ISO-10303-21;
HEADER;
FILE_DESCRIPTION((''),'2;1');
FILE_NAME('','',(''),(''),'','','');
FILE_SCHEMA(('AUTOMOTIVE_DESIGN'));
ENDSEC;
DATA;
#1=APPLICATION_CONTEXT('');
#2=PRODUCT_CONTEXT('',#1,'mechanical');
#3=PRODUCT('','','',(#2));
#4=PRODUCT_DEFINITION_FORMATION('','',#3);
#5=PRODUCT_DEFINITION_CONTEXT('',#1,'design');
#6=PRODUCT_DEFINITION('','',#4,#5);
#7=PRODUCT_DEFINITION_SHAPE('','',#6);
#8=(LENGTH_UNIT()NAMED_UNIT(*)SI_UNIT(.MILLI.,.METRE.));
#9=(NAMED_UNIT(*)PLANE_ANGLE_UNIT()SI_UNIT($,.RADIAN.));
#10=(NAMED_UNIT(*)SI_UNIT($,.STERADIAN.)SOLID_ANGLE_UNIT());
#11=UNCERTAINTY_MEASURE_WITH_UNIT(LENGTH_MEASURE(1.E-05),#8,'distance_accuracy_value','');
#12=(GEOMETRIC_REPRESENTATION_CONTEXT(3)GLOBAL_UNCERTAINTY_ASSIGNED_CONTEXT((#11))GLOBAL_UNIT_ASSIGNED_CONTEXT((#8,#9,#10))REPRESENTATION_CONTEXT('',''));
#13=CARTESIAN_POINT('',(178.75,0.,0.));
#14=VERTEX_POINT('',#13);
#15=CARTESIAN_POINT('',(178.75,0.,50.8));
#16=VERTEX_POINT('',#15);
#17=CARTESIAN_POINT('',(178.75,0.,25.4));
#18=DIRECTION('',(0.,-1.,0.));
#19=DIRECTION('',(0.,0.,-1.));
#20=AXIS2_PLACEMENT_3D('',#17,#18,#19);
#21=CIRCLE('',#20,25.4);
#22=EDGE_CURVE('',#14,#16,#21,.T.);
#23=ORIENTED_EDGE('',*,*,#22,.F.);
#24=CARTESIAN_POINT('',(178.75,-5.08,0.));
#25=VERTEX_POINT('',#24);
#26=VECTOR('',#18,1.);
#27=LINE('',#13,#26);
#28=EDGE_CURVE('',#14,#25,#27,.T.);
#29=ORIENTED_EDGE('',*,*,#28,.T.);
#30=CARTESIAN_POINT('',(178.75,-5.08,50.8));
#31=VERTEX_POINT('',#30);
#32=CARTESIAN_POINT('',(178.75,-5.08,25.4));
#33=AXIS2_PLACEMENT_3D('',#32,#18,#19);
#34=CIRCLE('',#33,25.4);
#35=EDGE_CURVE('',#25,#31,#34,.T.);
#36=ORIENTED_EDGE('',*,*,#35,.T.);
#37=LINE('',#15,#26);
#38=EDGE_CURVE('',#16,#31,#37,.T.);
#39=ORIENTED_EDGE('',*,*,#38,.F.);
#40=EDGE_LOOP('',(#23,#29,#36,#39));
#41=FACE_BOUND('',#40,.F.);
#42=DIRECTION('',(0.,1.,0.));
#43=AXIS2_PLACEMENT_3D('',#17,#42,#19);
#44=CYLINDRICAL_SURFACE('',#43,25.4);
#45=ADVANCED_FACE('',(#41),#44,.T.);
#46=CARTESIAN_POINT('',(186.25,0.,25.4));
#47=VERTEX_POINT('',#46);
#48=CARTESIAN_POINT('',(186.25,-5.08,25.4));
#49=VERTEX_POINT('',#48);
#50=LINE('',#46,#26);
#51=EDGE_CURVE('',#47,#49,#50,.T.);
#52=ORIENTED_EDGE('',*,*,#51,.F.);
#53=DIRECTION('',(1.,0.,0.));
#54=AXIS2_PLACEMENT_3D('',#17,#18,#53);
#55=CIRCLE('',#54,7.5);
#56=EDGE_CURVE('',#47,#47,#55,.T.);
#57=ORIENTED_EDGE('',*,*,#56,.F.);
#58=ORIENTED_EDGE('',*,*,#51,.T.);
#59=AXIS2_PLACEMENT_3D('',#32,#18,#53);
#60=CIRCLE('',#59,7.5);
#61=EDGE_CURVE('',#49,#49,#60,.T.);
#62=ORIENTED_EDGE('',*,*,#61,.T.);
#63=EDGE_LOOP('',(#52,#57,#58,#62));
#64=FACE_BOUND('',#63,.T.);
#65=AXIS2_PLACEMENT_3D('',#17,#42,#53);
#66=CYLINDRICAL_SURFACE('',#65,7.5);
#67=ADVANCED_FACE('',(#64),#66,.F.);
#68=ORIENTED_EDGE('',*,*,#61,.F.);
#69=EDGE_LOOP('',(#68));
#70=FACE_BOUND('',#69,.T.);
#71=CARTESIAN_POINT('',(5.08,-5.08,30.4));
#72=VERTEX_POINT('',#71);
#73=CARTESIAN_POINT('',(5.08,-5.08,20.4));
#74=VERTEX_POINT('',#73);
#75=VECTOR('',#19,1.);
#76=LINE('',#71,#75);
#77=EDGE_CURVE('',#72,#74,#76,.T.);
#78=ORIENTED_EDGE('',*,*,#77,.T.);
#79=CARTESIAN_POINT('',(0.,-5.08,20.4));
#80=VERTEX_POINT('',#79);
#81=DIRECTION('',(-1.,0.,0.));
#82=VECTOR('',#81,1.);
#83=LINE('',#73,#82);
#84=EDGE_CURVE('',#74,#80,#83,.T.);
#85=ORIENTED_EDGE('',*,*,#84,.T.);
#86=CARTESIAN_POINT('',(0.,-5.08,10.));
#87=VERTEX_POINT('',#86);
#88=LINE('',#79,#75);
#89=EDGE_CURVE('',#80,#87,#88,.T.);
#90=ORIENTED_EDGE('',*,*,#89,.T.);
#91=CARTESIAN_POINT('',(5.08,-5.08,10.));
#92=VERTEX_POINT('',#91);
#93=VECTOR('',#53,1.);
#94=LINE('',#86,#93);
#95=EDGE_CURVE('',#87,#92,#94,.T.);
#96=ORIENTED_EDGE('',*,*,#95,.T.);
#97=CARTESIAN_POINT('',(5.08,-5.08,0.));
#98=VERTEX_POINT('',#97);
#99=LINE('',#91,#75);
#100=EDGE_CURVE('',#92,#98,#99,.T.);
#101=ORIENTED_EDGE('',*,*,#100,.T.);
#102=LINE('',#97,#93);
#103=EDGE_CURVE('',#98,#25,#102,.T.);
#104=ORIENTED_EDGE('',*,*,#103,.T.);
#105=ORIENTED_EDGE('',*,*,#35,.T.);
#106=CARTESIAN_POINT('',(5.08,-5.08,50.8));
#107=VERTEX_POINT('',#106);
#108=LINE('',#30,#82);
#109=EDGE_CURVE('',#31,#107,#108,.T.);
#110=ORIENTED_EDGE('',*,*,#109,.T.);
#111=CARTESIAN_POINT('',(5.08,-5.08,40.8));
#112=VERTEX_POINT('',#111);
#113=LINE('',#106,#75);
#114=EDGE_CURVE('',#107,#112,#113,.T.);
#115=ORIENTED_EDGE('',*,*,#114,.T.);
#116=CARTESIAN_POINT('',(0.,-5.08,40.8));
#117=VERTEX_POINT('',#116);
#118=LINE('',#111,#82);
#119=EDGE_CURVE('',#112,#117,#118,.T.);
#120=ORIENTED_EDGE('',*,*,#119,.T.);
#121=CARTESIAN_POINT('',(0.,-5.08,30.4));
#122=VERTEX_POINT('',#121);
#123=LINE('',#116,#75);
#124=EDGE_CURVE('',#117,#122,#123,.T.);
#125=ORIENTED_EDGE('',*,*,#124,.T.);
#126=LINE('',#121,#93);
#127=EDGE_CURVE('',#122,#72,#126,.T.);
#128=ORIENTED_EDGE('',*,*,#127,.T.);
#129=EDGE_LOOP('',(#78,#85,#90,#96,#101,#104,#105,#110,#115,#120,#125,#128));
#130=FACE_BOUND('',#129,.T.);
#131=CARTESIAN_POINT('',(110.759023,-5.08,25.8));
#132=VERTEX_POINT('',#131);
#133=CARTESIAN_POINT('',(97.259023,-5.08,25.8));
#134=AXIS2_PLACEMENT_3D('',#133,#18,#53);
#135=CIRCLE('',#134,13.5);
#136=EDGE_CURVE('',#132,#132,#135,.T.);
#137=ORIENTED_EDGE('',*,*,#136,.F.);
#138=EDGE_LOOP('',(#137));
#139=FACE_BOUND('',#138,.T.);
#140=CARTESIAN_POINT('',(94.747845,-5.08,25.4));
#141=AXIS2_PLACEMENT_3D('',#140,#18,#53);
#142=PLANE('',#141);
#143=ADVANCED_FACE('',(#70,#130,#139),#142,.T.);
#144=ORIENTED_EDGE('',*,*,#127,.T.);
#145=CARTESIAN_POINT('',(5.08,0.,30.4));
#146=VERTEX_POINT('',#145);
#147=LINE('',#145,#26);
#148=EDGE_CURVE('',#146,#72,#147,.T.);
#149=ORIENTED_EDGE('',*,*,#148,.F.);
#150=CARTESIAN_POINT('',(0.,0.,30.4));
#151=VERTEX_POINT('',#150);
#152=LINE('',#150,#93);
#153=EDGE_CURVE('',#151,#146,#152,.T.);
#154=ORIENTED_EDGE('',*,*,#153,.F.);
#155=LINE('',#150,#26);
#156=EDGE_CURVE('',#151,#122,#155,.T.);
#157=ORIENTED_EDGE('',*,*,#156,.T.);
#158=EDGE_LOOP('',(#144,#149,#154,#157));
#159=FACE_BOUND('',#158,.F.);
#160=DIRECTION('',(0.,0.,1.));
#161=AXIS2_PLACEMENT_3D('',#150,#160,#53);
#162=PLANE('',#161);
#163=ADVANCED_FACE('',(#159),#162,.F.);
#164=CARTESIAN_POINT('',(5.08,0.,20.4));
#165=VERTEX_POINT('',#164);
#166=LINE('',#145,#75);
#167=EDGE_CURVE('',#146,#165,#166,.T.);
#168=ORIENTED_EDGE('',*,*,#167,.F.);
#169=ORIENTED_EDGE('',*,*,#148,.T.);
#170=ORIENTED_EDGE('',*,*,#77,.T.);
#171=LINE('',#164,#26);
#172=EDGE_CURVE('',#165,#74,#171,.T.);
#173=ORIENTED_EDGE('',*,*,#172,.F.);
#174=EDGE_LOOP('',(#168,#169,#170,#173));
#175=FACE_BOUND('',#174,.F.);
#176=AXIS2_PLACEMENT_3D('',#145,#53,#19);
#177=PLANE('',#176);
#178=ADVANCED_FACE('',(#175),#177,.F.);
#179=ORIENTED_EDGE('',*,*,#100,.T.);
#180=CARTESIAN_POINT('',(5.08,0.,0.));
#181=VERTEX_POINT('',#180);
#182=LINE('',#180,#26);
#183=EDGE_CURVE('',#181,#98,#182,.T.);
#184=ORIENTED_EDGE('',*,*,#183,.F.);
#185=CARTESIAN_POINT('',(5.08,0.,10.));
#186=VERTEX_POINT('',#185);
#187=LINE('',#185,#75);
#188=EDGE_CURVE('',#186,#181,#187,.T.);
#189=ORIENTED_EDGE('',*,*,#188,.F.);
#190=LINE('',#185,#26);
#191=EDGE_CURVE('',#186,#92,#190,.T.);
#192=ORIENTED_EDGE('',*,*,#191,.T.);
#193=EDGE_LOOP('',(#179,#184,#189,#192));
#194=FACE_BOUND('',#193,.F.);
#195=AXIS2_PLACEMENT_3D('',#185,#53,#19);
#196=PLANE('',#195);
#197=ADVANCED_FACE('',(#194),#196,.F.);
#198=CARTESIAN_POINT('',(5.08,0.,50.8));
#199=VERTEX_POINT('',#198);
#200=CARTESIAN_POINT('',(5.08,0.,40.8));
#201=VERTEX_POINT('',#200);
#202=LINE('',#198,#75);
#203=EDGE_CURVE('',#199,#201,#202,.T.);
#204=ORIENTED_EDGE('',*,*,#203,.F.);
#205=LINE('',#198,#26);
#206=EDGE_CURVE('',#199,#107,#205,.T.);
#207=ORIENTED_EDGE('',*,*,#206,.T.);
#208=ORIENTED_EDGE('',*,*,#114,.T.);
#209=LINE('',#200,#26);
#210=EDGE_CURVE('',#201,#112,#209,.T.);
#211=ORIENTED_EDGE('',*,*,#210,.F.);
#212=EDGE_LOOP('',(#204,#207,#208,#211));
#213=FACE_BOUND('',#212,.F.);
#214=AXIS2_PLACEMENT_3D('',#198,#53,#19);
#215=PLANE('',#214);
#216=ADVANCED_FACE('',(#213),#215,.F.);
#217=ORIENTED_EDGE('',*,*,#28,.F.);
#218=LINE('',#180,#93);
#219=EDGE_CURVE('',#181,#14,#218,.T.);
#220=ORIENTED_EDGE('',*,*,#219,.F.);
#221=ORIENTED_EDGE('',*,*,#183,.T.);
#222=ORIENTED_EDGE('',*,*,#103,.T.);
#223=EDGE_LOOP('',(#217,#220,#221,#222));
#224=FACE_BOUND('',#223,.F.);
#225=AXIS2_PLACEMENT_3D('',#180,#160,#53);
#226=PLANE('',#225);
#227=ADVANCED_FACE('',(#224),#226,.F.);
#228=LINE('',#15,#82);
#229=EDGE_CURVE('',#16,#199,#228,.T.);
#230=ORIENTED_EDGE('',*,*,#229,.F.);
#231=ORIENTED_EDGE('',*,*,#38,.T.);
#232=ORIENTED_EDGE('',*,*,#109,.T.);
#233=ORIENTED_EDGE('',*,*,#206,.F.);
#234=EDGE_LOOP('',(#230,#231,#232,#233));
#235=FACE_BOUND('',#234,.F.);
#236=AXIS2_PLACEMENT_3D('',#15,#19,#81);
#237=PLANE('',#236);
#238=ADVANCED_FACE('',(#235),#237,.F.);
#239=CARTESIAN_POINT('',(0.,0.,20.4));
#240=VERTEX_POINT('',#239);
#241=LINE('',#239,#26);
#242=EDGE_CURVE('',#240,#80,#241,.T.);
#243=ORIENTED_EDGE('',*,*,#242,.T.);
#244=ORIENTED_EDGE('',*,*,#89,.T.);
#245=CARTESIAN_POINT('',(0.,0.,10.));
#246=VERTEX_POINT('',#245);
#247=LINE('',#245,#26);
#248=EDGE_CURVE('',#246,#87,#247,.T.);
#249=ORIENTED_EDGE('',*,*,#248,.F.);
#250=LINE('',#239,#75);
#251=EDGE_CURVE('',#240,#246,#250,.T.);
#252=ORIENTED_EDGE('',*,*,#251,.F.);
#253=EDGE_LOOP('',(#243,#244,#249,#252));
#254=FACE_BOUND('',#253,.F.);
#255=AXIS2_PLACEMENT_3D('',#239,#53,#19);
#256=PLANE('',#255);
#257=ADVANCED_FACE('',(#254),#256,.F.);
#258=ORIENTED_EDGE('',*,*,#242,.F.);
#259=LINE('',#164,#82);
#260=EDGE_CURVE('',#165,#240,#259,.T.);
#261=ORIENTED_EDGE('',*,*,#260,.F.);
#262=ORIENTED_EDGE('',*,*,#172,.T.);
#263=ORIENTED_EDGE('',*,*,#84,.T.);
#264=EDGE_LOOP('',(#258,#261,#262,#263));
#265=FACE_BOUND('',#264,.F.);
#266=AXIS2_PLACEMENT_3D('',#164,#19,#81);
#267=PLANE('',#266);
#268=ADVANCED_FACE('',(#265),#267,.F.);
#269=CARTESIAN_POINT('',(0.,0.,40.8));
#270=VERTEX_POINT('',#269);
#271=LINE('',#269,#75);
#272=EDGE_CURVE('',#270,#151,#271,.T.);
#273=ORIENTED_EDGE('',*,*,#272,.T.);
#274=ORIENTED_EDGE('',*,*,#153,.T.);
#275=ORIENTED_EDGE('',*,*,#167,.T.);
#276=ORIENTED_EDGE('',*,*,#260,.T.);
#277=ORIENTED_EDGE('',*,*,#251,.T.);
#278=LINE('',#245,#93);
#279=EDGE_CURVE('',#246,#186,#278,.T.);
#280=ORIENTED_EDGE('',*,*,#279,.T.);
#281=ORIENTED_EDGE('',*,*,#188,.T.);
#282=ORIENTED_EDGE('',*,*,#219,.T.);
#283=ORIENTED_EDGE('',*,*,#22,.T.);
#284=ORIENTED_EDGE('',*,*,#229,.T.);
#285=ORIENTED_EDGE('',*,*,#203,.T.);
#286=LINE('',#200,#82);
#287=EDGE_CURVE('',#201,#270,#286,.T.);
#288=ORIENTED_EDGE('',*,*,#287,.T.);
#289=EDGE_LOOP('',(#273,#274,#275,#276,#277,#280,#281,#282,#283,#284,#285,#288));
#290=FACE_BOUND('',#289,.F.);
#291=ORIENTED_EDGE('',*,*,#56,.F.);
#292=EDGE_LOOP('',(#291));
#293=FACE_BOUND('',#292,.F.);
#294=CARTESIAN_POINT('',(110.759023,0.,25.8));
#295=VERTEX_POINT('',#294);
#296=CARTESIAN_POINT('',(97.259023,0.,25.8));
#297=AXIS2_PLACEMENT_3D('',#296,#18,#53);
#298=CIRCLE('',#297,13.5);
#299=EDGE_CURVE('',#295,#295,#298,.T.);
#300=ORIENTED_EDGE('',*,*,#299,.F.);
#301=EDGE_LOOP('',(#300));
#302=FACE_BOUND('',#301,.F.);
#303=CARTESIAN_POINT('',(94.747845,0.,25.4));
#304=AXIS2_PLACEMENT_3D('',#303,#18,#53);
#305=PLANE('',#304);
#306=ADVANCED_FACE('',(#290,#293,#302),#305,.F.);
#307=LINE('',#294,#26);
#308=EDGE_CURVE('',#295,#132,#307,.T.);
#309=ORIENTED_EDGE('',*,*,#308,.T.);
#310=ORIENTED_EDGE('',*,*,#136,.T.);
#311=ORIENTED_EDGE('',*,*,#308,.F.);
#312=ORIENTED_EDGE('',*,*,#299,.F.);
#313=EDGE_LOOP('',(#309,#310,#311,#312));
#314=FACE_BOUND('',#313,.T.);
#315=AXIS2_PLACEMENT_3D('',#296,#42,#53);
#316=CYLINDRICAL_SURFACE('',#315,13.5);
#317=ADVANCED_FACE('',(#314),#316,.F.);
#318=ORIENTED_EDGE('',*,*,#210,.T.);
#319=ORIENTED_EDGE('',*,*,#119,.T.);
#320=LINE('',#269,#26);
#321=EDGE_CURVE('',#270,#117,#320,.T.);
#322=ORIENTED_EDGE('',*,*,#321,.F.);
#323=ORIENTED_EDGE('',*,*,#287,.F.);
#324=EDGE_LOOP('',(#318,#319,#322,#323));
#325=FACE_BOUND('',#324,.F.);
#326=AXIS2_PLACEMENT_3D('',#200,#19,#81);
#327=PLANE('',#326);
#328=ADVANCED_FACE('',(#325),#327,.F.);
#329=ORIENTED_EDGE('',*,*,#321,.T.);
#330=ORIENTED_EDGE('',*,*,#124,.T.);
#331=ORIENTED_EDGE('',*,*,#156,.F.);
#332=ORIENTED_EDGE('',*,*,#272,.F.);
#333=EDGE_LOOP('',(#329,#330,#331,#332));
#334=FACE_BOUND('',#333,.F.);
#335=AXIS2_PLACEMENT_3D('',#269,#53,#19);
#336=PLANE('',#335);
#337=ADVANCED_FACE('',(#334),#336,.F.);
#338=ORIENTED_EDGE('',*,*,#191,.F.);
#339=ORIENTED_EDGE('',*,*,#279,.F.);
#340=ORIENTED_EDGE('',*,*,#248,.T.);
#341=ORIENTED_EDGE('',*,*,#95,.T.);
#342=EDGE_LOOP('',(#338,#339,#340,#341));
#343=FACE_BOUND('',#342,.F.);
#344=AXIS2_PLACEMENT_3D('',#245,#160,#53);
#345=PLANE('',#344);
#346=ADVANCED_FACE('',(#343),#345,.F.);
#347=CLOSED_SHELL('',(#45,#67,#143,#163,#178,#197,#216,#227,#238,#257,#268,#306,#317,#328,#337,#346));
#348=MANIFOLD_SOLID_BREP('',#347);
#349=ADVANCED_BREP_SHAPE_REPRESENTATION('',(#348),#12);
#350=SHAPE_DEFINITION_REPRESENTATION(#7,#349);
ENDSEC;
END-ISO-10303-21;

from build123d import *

# Parameters (mm, degrees)
F0_R     = 13.5
F0_R_2   = 7.5
F1_DEPTH = 5.08


with BuildPart() as f1:
    # F0 (on Front) → F1 (new body)
    with BuildSketch(Plane.XZ):
        with BuildLine():
            Line((5.08, 0), (178.75, 0))
            ThreePointArc((178.75, 0), (204.15, 25.4), (178.75, 50.8))
            Line((178.75, 50.8), (5.08, 50.8))
            Line((5.08, 50.8), (5.08, 40.8))
            Line((5.08, 40.8), (0, 40.8))
            Line((0, 40.8), (0, 30.4))
            Line((0, 30.4), (5.08, 30.4))
            Line((5.08, 30.4), (5.08, 20.4))
            Line((5.08, 20.4), (0, 20.4))
            Line((0, 20.4), (0, 10))
            Line((0, 10), (5.08, 10))
            Line((5.08, 10), (5.08, 0))
        make_face()
        with Locations((97.259023, 25.8)):
            Circle(F0_R, mode=Mode.SUBTRACT)
        with Locations((178.75, 25.4)):
            Circle(F0_R_2, mode=Mode.SUBTRACT)
    extrude(amount=F1_DEPTH)


solid = f1.part
